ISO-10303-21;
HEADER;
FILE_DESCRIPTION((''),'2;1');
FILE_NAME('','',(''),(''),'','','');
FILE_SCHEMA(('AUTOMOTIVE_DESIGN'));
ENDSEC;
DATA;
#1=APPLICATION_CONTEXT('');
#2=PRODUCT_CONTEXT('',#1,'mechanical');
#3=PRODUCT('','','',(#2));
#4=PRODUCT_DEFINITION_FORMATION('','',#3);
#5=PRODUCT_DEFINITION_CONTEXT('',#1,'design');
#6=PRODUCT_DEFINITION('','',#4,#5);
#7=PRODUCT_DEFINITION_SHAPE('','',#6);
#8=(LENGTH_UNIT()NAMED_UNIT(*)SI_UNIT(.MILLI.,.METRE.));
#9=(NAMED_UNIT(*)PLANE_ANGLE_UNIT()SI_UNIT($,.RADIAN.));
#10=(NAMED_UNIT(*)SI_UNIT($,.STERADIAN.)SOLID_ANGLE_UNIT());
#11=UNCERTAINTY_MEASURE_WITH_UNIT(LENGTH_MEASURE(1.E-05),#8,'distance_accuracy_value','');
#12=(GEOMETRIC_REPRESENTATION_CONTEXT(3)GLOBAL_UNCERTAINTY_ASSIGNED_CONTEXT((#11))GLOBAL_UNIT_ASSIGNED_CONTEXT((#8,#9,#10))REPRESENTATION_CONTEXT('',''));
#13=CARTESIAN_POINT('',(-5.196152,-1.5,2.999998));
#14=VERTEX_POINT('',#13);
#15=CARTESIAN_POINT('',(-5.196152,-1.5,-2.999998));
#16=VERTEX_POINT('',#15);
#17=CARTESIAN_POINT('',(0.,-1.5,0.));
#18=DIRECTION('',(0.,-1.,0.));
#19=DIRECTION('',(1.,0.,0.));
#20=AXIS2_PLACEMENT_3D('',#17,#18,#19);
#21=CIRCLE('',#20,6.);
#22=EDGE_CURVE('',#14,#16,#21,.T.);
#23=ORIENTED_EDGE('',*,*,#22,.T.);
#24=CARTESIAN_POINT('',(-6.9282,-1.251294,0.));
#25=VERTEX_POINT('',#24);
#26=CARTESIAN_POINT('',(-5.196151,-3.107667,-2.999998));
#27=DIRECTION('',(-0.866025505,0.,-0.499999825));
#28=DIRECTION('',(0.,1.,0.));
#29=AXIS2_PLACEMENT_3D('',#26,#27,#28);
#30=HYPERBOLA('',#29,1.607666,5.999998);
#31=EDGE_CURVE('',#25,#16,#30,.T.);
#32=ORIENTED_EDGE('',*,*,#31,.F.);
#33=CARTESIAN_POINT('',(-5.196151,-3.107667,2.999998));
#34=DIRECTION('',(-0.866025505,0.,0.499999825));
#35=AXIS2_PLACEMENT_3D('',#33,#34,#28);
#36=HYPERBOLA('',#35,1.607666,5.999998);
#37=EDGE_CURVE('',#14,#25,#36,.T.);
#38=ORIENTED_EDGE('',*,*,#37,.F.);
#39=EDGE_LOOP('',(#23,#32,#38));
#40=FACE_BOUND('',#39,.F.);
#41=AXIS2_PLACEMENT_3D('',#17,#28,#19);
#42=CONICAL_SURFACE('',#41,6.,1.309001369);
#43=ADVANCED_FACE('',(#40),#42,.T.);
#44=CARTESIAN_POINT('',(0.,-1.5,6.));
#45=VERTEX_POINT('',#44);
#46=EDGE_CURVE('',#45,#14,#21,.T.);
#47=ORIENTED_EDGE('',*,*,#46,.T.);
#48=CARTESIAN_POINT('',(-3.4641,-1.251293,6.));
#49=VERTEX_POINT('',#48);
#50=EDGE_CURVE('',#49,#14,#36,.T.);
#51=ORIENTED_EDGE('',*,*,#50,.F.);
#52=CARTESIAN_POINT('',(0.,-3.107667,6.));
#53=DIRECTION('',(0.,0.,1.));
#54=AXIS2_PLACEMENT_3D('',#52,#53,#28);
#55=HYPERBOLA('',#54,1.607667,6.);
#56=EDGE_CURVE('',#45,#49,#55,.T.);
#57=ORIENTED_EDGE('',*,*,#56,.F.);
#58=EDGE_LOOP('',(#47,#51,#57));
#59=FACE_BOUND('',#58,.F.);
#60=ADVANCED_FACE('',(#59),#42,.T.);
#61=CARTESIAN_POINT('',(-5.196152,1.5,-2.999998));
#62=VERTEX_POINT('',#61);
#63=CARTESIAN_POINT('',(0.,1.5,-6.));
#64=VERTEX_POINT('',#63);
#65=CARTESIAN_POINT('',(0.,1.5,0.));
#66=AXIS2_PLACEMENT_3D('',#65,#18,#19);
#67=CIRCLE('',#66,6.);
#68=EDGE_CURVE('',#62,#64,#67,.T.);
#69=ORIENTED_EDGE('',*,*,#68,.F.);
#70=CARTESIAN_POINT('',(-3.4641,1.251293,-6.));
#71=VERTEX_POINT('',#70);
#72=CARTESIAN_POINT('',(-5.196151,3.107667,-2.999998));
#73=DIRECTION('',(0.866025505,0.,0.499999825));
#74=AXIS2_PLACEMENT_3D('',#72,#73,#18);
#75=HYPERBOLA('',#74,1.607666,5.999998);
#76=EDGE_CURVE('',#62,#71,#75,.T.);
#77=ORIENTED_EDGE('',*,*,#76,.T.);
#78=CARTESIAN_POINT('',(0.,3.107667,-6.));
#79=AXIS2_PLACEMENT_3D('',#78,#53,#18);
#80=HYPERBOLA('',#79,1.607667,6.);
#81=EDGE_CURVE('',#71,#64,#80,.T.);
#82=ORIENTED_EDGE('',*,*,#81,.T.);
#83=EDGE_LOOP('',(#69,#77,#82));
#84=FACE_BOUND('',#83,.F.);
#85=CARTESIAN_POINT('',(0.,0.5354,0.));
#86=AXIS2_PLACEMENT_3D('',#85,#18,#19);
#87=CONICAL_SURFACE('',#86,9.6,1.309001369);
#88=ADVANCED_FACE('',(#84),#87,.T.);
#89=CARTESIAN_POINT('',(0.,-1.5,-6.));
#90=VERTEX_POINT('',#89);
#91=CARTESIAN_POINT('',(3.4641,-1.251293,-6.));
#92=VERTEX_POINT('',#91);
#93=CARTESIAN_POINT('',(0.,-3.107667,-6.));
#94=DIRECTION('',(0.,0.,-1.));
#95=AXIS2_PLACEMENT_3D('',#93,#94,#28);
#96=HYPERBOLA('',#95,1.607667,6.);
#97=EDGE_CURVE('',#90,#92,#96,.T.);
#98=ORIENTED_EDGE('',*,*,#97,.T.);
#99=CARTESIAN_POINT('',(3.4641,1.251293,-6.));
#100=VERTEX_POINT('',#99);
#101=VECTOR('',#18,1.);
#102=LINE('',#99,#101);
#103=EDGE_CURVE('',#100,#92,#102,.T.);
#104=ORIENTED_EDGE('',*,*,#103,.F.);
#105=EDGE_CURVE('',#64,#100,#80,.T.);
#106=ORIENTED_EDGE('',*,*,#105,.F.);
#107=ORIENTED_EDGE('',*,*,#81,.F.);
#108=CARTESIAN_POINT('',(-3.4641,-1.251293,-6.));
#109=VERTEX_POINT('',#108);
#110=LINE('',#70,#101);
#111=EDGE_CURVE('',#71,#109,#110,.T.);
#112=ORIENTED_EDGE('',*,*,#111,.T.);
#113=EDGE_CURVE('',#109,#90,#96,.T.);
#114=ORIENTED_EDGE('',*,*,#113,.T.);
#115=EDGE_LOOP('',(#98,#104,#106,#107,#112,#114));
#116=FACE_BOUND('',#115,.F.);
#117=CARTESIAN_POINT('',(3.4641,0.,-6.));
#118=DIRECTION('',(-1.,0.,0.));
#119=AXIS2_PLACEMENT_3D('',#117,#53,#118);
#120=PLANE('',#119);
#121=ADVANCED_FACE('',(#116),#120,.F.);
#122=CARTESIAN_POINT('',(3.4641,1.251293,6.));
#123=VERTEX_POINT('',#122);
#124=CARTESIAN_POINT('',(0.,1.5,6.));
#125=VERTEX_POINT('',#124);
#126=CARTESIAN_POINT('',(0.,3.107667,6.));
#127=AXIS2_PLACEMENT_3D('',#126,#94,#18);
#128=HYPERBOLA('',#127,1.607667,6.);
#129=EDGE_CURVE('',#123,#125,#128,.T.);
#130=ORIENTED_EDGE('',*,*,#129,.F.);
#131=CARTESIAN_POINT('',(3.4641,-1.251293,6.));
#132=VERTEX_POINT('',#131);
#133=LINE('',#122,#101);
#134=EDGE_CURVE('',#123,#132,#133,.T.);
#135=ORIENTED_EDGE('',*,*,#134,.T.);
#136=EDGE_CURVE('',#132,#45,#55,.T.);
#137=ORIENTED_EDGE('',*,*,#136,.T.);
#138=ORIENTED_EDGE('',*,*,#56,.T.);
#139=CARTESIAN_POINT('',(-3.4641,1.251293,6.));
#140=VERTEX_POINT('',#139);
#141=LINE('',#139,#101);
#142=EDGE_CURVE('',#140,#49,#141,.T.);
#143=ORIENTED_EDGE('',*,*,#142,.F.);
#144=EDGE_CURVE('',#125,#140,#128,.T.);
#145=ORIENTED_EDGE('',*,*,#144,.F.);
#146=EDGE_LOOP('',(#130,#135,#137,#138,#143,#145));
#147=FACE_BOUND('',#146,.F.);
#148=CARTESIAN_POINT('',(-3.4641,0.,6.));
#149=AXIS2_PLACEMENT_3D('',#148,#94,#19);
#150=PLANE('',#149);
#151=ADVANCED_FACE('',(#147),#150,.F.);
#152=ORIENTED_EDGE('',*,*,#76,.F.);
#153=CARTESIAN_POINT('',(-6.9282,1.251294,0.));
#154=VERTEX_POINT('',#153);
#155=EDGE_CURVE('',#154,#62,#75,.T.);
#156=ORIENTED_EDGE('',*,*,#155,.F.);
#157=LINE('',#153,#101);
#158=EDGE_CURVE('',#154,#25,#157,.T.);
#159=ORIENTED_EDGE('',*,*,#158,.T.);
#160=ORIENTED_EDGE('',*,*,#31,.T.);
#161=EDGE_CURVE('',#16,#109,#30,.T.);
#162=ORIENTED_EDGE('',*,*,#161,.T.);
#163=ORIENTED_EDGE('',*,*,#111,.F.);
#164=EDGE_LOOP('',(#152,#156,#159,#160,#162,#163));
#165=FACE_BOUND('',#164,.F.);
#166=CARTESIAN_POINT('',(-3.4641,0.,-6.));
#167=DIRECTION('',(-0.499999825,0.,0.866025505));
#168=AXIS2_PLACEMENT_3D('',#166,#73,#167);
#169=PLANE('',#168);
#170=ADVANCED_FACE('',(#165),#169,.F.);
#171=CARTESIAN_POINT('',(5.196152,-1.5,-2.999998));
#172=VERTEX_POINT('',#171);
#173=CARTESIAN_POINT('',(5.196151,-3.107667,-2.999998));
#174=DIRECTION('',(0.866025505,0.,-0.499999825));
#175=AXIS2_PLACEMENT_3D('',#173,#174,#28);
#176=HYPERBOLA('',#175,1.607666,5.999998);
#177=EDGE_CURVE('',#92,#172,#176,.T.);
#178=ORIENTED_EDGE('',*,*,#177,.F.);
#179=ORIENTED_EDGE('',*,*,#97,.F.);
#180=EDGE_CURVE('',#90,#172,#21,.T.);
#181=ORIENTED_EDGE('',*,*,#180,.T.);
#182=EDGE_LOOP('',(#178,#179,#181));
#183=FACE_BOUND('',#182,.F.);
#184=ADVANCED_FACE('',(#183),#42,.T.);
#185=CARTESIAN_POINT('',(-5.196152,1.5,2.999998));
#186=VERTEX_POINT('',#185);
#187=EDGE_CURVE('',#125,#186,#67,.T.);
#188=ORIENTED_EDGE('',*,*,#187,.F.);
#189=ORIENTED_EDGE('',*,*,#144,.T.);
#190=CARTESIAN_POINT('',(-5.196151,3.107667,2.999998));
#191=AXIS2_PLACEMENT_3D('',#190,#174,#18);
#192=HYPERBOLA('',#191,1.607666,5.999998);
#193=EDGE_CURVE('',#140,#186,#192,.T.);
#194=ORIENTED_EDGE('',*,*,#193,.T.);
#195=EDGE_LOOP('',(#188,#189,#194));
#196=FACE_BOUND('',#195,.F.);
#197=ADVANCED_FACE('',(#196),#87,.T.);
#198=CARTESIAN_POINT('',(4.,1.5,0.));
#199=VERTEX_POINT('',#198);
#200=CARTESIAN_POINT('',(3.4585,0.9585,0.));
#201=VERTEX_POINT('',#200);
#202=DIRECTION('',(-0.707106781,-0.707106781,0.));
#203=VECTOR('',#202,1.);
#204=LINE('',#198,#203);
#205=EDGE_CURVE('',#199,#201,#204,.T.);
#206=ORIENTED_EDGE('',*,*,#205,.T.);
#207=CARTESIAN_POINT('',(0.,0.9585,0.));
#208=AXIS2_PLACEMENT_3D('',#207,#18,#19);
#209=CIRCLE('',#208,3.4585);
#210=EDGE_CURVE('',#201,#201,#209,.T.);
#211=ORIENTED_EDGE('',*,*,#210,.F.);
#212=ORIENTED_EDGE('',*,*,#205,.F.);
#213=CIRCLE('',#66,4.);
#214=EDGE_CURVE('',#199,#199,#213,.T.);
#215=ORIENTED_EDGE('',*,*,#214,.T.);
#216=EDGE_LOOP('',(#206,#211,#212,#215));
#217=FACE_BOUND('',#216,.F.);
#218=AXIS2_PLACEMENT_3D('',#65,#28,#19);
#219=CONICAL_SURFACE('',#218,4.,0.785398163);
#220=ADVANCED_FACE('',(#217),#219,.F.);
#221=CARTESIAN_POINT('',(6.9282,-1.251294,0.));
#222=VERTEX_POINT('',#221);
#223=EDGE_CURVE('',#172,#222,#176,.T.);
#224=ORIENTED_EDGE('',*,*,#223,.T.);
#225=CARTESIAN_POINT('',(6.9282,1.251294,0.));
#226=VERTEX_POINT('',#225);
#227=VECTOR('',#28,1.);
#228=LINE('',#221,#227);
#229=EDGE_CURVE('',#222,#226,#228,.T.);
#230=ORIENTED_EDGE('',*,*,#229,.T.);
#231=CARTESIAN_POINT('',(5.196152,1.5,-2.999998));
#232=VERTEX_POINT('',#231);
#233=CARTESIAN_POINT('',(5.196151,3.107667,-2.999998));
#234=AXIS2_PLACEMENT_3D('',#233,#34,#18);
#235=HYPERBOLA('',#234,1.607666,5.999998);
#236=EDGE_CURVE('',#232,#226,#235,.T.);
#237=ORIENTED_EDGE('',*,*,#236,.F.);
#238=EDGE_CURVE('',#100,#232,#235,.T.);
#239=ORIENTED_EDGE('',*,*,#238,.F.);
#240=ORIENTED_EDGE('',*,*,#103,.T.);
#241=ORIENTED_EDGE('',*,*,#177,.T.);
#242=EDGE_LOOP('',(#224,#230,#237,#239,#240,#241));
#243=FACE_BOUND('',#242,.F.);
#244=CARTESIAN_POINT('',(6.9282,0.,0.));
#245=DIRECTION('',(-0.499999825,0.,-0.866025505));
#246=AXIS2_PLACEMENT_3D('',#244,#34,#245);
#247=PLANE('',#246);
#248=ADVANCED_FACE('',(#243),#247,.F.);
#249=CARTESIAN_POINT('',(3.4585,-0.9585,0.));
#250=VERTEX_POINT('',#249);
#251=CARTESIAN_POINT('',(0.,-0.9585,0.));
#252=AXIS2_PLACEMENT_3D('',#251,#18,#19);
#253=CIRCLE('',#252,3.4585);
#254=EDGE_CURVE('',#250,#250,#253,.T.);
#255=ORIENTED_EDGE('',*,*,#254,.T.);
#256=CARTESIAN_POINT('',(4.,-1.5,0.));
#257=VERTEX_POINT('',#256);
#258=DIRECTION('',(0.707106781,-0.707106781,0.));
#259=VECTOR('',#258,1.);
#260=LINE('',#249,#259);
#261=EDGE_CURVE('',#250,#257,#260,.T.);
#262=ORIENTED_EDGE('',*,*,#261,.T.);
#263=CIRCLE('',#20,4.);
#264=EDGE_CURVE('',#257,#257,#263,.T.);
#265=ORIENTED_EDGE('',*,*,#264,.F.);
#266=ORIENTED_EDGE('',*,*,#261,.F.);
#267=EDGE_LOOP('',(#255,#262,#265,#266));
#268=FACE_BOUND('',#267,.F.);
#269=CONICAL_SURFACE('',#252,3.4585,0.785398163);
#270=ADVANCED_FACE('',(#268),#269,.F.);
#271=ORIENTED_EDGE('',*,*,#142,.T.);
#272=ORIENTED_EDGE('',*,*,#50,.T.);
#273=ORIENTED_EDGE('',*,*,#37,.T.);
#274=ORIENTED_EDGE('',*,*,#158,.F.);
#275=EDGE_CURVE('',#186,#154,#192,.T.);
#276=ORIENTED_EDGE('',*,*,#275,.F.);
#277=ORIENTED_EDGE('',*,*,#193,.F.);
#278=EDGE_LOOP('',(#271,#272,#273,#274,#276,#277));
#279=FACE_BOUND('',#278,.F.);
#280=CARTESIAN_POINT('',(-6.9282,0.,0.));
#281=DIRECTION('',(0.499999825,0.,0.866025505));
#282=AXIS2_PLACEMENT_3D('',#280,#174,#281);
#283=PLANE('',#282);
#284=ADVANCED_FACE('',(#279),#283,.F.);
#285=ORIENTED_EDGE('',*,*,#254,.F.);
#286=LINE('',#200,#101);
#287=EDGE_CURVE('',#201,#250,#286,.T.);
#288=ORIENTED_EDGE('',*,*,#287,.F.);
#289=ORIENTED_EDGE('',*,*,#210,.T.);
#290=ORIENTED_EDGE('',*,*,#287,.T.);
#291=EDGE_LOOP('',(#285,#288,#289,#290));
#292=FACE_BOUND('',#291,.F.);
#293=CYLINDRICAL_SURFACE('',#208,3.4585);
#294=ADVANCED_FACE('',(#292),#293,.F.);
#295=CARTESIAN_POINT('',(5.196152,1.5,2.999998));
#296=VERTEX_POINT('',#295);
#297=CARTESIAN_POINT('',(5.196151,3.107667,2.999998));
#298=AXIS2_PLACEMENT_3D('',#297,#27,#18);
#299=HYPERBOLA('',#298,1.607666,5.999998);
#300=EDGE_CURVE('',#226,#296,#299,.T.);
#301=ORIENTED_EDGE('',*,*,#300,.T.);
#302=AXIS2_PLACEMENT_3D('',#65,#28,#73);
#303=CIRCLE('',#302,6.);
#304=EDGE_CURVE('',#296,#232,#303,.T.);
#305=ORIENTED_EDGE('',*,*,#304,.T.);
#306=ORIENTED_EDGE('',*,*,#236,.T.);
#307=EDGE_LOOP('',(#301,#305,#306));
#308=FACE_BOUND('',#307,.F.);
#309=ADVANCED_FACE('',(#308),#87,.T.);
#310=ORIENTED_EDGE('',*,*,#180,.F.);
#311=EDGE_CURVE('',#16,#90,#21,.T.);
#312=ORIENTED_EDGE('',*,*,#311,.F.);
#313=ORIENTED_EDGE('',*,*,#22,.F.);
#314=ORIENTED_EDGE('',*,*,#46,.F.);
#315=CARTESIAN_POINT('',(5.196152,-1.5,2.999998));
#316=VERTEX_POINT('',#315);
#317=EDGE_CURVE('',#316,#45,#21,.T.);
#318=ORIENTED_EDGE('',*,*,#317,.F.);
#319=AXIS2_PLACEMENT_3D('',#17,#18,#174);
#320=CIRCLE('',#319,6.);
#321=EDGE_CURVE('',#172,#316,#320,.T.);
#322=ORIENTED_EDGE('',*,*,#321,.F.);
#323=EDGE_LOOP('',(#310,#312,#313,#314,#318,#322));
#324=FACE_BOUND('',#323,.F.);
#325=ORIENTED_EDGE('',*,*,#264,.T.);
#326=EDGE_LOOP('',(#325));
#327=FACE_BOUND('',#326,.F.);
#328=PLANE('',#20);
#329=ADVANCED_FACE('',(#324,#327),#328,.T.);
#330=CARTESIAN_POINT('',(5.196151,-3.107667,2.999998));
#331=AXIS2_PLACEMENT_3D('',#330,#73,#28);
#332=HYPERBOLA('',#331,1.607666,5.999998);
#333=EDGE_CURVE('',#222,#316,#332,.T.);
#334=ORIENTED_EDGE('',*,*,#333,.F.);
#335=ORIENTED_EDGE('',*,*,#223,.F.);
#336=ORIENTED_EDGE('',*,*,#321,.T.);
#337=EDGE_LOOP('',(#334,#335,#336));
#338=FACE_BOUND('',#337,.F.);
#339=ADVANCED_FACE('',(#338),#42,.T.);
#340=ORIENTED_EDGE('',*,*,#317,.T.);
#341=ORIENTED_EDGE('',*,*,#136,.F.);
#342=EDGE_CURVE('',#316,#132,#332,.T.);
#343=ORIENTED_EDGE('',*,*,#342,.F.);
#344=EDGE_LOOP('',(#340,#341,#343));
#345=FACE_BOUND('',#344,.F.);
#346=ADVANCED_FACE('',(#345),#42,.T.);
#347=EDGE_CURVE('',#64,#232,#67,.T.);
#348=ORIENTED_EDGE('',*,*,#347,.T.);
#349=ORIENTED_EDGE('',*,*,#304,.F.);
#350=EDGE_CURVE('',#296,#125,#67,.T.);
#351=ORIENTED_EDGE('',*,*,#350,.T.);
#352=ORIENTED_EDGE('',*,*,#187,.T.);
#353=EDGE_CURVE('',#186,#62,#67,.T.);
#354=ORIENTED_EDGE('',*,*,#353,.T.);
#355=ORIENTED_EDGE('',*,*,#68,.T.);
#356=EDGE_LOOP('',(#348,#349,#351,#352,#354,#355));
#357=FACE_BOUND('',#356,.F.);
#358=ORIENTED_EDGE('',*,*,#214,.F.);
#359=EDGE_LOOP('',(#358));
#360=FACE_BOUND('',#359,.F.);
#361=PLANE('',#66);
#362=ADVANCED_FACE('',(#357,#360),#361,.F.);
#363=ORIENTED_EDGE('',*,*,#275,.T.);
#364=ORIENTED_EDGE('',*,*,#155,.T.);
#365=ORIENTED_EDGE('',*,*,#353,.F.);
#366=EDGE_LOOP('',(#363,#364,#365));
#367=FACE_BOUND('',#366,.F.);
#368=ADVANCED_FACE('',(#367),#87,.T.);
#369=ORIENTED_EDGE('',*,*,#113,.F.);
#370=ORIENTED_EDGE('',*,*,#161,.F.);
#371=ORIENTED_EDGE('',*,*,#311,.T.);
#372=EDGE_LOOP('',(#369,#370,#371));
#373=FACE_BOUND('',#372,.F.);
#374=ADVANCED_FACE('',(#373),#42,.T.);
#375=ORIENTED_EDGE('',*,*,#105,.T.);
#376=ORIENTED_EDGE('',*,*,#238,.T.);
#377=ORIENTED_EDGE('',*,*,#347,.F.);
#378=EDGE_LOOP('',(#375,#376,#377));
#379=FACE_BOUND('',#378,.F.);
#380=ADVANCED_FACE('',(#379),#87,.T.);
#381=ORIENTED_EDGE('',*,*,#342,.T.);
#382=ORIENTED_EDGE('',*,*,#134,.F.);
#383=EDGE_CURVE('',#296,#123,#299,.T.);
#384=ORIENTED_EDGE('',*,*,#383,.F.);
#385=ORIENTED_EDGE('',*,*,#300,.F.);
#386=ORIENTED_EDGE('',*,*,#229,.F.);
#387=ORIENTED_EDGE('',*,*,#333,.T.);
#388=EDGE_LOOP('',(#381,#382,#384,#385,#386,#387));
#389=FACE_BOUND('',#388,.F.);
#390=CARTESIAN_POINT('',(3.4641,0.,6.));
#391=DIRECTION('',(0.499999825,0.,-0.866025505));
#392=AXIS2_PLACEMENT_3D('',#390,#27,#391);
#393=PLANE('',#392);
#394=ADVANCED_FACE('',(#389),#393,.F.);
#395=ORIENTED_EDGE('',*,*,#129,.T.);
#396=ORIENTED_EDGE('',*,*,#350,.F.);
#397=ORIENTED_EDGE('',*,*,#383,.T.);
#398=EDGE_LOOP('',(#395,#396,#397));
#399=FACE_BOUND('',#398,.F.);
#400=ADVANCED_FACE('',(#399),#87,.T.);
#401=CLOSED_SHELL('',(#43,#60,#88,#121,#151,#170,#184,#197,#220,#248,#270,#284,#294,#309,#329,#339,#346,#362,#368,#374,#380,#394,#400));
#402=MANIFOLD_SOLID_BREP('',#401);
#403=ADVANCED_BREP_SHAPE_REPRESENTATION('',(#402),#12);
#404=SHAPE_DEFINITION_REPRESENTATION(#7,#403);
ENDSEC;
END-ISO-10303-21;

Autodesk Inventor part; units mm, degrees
sketch "Sketch_1" plane through (0, 0, 0) normal (0, 0, 1) x (1, 0, 0)
  line L0 (0, -1.5) -> (0, 1.5)
  line L1 (3.4585, 0.9585) -> (3.4585, -0.9585)
  line L2 (3.4585, -0.9585) -> (4, -1.5)
  line L3 (4, -1.5) -> (6, -1.5)
  line L4 (6, -1.5) -> (9.6, -0.5354)
  line L5 (9.6, -0.5354) -> (9.6, 0.5354)
  line L6 (9.6, 0.5354) -> (6, 1.5)
  line L7 (6, 1.5) -> (4, 1.5)
  line L8 (4, 1.5) -> (3.4585, 0.9585)
revolve "Revolution1" add sketch "Sketch_1" angle 360 about axis through (0, -1.5, 0) along (0, -1, 0)
thread "Thread1" size "M8x1" class "6H" standard "ISO Metric profile" full length
sketch "Sketch_2" plane through (0, 0, 0) normal (0, 1, 0) x (-1, 0, 0)
  circle A0 centre (0, 0) radius 12
  line L0 (6.9282, 0) -> (3.4641, 6)
  line L1 (3.4641, 6) -> (-3.4641, 6)
  line L2 (-3.4641, 6) -> (-6.9282, 0)
  line L3 (-6.9282, 0) -> (-3.4641, -6)
  line L4 (-3.4641, -6) -> (3.4641, -6)
  line L5 (3.4641, -6) -> (6.9282, 0)
extrude "Extrusion1" cut sketch "Sketch_2" along normal mid plane 3
ref_plane "NUT_BUFFER_XY" through (0, 0, 0) normal (0, -1, 0) x (1, 0, 0)
ref_plane "NUT_BUFFER_YZ" through (0, 0, 0) normal (1, 0, 0) x (0, 0, 1)
ref_plane "NUT_BUFFER_ZX" through (0, 0, 0) normal (0, 0, 1) x (0, -1, 0)
properties part number "ZPT2_8_B_NUT"
